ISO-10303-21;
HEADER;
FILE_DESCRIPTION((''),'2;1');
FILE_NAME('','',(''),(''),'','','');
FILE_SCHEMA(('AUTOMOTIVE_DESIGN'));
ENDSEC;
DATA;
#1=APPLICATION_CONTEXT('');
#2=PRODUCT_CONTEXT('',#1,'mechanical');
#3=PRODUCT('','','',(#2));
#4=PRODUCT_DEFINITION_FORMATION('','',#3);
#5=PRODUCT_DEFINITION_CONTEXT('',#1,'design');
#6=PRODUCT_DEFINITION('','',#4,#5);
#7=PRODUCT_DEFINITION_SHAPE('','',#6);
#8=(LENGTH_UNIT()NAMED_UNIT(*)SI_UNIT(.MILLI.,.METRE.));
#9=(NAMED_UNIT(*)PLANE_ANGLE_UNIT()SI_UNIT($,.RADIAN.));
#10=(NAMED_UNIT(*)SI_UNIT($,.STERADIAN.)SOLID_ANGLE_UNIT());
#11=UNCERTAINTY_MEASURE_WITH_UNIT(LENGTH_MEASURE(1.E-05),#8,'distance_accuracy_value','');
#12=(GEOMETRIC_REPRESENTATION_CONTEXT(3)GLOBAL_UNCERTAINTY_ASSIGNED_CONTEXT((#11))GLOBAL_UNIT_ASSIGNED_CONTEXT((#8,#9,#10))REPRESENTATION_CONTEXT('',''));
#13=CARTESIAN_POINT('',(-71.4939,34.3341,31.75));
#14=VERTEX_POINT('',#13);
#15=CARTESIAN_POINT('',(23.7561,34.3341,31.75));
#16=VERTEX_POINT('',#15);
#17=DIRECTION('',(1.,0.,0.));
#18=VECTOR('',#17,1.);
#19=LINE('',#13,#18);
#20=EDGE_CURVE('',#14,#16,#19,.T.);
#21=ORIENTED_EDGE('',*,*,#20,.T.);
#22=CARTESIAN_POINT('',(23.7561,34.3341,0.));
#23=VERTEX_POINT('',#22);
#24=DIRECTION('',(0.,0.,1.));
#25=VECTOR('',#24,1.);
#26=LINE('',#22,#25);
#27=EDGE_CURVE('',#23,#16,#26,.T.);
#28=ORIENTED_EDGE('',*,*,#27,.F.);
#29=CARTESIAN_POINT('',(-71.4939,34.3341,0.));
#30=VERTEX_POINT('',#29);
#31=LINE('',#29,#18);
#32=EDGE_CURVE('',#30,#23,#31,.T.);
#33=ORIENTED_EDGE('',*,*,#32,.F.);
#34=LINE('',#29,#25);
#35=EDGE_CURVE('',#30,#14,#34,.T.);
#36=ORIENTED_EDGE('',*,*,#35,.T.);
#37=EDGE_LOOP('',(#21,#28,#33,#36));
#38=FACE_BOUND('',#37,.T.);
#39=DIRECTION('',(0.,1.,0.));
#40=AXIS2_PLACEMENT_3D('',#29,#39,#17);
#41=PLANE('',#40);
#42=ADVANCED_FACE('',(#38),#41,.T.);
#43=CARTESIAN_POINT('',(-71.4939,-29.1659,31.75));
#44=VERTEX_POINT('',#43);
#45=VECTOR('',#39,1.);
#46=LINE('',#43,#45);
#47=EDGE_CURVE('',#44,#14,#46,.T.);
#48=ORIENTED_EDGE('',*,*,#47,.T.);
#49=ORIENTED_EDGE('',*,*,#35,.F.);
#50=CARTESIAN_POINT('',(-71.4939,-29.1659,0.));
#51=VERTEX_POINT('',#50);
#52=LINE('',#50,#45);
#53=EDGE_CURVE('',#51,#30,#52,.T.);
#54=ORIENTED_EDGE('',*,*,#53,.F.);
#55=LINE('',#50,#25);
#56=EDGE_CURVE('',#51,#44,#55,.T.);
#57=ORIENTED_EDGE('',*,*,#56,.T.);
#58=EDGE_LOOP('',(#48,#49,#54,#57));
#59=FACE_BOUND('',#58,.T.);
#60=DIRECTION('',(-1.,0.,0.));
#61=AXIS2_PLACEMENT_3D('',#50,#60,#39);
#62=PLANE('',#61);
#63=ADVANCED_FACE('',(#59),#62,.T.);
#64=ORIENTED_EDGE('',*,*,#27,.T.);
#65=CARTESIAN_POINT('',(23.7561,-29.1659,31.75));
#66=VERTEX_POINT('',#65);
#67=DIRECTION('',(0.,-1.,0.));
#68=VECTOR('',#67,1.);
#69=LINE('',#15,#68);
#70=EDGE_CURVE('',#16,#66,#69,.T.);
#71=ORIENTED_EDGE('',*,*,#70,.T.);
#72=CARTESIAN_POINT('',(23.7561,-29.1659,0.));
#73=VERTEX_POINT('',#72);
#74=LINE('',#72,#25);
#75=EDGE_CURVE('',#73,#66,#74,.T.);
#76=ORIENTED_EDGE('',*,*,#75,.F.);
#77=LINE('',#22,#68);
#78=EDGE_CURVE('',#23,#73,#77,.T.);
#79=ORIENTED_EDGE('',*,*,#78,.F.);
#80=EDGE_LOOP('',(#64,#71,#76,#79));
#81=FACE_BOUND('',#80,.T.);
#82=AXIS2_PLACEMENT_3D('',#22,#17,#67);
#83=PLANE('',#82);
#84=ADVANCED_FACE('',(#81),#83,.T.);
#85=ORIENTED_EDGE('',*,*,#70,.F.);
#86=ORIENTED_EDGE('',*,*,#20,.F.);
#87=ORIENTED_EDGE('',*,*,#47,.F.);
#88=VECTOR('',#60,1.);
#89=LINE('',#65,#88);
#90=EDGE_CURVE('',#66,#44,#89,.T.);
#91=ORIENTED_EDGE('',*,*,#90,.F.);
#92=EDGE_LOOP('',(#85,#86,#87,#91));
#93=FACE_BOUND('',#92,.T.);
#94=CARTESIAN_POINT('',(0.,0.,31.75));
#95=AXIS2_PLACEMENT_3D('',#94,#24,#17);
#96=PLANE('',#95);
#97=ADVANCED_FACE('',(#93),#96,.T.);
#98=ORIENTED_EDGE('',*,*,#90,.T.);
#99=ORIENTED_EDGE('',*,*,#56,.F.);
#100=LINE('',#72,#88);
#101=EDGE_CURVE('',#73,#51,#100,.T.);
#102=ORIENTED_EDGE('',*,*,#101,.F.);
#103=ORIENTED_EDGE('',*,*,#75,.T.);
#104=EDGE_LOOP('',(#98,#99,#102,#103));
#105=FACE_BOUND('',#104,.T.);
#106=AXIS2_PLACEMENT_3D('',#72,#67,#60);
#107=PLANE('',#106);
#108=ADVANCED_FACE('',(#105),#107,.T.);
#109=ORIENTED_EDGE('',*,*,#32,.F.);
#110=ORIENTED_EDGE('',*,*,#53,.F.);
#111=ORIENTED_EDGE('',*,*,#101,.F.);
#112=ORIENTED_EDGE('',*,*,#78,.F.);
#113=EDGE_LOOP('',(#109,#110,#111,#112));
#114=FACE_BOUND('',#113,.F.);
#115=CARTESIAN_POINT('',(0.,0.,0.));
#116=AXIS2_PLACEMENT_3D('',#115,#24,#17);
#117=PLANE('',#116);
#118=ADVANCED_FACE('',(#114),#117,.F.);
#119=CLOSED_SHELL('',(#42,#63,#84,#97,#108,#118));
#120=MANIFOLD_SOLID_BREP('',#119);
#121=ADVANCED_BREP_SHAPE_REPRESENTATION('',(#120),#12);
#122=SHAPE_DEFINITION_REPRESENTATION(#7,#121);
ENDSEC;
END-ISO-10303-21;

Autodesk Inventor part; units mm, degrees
ref_plane "YZ Plane" through (0, 0, 0) normal (1, 0, 0) x (0, 1, 0)
ref_plane "XZ Plane" through (0, 0, 0) normal (0, 1, 0) x (-1, 0, 0)
ref_plane "XY Plane" through (0, 0, 0) normal (0, 0, 1) x (1, 0, 0)
sketch "Sketch1" plane through (0, 0, 0) normal (0, 0, 1) x (1, 0, 0)
  line L0 (-71.4939, 34.3341) -> (23.7561, 34.3341)
  line L1 (23.7561, 34.3341) -> (23.7561, -29.1659)
  line L2 (23.7561, -29.1659) -> (-71.4939, -29.1659)
  line L3 (-71.4939, -29.1659) -> (-71.4939, 34.3341)
  point P0 (0, 0)
  dimension "d0" = 95.25
  dimension "d1" = 63.5
extrude "Extrusion1" add sketch "Sketch1" along normal blind 31.75
properties part number "RASBERY PI"
